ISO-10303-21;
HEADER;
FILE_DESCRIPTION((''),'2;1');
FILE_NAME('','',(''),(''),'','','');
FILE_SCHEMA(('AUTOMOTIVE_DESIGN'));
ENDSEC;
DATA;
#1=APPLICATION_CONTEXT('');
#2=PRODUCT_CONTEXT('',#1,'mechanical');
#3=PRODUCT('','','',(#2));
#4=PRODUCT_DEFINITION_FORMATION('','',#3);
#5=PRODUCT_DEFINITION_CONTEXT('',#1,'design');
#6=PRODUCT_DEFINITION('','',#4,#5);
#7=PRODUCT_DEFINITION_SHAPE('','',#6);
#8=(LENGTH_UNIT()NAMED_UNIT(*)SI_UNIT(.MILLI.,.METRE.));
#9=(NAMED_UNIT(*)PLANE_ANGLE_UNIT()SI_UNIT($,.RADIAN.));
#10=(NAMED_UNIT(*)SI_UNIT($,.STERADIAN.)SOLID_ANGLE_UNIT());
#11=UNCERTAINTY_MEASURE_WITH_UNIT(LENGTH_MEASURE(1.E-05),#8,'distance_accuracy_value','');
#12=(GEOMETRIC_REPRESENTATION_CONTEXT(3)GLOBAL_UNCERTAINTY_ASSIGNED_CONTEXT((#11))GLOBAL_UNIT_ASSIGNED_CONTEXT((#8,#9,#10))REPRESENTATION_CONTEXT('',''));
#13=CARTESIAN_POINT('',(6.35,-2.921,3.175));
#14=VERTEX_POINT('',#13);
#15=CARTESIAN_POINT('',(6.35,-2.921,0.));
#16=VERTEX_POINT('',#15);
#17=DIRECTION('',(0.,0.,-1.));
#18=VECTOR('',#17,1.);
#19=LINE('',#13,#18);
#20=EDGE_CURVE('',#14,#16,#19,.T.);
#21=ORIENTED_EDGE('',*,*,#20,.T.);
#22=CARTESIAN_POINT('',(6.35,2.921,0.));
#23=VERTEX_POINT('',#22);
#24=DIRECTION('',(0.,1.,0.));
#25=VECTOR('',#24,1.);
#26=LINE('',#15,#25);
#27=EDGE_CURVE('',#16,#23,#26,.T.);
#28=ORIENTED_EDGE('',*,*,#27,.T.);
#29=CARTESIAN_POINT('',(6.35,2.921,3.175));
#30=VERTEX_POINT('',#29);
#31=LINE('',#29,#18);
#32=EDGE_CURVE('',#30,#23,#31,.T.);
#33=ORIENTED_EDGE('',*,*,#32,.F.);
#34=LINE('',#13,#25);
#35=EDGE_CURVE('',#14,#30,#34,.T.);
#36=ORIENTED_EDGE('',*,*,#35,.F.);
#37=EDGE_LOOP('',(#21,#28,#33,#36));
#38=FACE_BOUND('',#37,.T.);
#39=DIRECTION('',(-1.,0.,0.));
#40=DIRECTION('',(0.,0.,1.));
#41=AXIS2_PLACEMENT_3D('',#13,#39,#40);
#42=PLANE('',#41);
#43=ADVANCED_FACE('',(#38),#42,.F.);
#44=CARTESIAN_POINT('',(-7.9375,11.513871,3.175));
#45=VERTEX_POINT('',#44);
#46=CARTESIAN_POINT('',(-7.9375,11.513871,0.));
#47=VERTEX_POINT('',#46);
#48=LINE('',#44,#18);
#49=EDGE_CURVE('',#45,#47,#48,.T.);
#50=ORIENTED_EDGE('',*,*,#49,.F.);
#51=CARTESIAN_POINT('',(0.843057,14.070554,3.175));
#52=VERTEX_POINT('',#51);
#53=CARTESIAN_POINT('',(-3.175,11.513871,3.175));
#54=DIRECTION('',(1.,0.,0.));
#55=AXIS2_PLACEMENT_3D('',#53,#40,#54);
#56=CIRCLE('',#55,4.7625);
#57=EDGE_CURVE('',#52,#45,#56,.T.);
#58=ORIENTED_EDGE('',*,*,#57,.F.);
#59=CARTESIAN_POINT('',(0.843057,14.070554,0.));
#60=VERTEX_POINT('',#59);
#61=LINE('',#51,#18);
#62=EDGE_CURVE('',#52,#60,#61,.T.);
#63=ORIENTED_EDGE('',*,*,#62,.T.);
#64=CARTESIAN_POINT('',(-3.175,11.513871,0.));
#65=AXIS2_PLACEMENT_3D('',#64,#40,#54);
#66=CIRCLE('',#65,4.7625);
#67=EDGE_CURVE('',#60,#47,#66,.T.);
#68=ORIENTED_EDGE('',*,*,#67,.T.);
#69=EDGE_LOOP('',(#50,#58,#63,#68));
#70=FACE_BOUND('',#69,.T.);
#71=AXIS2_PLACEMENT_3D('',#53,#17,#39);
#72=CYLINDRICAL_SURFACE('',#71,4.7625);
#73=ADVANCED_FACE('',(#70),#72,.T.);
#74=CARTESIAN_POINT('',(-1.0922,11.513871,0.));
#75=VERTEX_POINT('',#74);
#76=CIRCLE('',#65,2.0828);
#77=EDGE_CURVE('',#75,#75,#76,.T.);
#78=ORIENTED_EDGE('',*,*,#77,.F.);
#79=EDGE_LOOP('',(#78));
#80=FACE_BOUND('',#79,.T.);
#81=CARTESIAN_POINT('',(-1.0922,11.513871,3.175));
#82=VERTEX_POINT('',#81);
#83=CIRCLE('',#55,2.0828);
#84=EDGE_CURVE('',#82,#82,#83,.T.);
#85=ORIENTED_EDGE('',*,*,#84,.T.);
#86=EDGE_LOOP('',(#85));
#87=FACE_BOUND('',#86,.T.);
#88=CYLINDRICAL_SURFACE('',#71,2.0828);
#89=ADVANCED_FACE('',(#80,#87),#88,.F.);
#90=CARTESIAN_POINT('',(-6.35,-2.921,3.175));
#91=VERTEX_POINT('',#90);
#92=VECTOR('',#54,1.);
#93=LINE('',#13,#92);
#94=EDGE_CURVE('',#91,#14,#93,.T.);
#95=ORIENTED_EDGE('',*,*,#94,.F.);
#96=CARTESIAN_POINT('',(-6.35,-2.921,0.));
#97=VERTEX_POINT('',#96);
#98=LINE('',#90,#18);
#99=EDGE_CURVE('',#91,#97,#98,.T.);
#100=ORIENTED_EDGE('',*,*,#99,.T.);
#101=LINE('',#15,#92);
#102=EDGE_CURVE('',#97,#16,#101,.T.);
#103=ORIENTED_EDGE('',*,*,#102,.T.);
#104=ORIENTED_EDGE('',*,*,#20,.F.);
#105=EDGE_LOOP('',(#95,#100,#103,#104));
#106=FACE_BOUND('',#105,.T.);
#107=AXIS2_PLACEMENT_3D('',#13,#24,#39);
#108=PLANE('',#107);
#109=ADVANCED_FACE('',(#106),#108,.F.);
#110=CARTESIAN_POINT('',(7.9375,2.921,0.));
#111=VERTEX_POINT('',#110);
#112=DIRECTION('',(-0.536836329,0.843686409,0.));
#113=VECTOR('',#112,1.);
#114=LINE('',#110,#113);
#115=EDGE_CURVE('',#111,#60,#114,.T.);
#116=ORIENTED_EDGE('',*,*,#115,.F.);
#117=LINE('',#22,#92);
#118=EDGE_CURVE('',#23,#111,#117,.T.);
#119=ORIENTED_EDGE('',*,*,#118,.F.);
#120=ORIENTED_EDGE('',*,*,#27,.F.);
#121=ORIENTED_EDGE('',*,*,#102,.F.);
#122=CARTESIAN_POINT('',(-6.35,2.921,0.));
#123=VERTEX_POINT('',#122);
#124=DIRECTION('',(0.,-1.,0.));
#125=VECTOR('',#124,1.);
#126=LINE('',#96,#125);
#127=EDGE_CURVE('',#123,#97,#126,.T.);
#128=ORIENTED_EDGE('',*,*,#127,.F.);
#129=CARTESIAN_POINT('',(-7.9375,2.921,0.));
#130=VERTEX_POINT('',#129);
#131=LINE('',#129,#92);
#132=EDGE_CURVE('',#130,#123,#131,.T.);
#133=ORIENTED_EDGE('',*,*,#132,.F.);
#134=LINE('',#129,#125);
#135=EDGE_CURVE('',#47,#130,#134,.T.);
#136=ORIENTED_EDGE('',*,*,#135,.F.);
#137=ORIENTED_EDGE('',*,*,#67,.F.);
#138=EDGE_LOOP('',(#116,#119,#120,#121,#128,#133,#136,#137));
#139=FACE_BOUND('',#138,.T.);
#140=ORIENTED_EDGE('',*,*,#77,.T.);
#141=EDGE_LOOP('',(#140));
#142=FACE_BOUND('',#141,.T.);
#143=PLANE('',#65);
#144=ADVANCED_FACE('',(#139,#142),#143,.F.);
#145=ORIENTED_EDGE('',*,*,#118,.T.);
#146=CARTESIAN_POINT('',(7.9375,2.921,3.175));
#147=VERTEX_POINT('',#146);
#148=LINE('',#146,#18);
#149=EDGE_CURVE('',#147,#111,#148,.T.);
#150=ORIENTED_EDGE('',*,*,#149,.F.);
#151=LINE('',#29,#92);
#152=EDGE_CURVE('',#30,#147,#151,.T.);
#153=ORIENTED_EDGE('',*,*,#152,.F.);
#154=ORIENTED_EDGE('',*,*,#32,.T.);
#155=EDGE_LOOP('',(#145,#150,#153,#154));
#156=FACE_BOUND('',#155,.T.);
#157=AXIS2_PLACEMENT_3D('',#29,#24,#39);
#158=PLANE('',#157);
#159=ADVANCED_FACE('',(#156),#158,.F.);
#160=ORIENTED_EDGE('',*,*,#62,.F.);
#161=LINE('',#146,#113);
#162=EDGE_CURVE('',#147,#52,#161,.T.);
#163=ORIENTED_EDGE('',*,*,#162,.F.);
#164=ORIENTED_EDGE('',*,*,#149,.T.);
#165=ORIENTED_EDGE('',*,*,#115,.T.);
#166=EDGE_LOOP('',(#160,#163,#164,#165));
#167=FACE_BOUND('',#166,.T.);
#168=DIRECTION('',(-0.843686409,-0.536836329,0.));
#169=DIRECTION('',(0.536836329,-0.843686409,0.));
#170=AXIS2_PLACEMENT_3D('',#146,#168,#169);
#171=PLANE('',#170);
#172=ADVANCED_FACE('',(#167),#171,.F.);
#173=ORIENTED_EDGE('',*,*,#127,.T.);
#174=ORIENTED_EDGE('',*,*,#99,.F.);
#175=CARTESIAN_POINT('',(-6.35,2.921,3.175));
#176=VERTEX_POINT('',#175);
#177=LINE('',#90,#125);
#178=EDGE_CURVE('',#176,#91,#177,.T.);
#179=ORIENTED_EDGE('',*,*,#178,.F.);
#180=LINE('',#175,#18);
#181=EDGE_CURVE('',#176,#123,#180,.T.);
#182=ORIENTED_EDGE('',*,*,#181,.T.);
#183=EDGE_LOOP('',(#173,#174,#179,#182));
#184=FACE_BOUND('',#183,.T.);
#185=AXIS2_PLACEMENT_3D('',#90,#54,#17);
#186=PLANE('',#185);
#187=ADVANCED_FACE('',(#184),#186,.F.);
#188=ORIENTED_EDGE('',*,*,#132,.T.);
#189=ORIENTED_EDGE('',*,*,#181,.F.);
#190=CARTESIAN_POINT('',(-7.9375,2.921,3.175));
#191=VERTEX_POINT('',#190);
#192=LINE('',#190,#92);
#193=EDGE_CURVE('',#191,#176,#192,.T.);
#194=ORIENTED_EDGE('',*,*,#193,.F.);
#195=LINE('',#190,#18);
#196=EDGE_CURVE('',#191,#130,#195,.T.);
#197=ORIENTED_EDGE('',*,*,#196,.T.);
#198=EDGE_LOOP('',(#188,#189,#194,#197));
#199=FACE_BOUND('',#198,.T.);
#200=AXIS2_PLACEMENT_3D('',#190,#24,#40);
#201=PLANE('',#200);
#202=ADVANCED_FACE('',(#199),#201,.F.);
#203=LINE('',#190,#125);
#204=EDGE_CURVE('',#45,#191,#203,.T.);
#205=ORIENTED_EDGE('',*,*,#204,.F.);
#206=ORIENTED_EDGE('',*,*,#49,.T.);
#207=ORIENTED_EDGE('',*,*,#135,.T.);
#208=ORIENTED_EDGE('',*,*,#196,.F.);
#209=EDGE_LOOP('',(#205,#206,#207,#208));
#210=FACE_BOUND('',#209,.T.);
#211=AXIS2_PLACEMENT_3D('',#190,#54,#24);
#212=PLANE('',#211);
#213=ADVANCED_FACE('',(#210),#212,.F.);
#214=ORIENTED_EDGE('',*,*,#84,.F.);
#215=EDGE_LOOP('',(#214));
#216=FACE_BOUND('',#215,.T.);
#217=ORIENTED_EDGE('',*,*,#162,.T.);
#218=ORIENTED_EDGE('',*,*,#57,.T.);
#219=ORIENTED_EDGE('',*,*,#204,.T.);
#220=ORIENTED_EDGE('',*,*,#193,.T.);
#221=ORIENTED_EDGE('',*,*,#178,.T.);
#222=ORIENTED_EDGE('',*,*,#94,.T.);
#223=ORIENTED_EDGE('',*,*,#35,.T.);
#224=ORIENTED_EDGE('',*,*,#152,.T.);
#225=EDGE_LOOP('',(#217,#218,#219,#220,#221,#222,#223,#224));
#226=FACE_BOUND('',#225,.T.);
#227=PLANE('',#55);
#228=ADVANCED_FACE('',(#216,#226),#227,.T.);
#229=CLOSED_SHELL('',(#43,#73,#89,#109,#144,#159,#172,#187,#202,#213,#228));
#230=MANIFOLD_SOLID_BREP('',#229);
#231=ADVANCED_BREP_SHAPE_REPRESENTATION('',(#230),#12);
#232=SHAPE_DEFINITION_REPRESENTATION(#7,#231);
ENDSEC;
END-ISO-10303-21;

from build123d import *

# Parameters (mm, degrees)
SKETCH1_R           = 2.0828
BOSS_EXTRUDE1_DEPTH = 3.175


with BuildPart() as part:
    # Sketch1 → Boss-Extrude1 (new body)
    with BuildSketch(Plane.XY):
        with BuildLine():
            Line((7.9375, 2.921), (0.843056521, 14.070553816))
            ThreePointArc((0.843056521, 14.070553816), (-4.506430071, 16.086474021), (-7.9375, 11.5138708))
            Line((-7.9375, 11.5138708), (-7.9375, 2.921))
            Line((-7.9375, 2.921), (-6.35, 2.921))
            Line((-6.35, 2.921), (-6.35, -2.921))
            Line((-6.35, -2.921), (6.35, -2.921))
            Line((6.35, -2.921), (6.35, 2.921))
            Line((6.35, 2.921), (7.9375, 2.921))
        make_face()
        with Locations((-3.175, 11.5138708)):
            Circle(SKETCH1_R, mode=Mode.SUBTRACT)
    extrude(amount=BOSS_EXTRUDE1_DEPTH)


solid = part.part
